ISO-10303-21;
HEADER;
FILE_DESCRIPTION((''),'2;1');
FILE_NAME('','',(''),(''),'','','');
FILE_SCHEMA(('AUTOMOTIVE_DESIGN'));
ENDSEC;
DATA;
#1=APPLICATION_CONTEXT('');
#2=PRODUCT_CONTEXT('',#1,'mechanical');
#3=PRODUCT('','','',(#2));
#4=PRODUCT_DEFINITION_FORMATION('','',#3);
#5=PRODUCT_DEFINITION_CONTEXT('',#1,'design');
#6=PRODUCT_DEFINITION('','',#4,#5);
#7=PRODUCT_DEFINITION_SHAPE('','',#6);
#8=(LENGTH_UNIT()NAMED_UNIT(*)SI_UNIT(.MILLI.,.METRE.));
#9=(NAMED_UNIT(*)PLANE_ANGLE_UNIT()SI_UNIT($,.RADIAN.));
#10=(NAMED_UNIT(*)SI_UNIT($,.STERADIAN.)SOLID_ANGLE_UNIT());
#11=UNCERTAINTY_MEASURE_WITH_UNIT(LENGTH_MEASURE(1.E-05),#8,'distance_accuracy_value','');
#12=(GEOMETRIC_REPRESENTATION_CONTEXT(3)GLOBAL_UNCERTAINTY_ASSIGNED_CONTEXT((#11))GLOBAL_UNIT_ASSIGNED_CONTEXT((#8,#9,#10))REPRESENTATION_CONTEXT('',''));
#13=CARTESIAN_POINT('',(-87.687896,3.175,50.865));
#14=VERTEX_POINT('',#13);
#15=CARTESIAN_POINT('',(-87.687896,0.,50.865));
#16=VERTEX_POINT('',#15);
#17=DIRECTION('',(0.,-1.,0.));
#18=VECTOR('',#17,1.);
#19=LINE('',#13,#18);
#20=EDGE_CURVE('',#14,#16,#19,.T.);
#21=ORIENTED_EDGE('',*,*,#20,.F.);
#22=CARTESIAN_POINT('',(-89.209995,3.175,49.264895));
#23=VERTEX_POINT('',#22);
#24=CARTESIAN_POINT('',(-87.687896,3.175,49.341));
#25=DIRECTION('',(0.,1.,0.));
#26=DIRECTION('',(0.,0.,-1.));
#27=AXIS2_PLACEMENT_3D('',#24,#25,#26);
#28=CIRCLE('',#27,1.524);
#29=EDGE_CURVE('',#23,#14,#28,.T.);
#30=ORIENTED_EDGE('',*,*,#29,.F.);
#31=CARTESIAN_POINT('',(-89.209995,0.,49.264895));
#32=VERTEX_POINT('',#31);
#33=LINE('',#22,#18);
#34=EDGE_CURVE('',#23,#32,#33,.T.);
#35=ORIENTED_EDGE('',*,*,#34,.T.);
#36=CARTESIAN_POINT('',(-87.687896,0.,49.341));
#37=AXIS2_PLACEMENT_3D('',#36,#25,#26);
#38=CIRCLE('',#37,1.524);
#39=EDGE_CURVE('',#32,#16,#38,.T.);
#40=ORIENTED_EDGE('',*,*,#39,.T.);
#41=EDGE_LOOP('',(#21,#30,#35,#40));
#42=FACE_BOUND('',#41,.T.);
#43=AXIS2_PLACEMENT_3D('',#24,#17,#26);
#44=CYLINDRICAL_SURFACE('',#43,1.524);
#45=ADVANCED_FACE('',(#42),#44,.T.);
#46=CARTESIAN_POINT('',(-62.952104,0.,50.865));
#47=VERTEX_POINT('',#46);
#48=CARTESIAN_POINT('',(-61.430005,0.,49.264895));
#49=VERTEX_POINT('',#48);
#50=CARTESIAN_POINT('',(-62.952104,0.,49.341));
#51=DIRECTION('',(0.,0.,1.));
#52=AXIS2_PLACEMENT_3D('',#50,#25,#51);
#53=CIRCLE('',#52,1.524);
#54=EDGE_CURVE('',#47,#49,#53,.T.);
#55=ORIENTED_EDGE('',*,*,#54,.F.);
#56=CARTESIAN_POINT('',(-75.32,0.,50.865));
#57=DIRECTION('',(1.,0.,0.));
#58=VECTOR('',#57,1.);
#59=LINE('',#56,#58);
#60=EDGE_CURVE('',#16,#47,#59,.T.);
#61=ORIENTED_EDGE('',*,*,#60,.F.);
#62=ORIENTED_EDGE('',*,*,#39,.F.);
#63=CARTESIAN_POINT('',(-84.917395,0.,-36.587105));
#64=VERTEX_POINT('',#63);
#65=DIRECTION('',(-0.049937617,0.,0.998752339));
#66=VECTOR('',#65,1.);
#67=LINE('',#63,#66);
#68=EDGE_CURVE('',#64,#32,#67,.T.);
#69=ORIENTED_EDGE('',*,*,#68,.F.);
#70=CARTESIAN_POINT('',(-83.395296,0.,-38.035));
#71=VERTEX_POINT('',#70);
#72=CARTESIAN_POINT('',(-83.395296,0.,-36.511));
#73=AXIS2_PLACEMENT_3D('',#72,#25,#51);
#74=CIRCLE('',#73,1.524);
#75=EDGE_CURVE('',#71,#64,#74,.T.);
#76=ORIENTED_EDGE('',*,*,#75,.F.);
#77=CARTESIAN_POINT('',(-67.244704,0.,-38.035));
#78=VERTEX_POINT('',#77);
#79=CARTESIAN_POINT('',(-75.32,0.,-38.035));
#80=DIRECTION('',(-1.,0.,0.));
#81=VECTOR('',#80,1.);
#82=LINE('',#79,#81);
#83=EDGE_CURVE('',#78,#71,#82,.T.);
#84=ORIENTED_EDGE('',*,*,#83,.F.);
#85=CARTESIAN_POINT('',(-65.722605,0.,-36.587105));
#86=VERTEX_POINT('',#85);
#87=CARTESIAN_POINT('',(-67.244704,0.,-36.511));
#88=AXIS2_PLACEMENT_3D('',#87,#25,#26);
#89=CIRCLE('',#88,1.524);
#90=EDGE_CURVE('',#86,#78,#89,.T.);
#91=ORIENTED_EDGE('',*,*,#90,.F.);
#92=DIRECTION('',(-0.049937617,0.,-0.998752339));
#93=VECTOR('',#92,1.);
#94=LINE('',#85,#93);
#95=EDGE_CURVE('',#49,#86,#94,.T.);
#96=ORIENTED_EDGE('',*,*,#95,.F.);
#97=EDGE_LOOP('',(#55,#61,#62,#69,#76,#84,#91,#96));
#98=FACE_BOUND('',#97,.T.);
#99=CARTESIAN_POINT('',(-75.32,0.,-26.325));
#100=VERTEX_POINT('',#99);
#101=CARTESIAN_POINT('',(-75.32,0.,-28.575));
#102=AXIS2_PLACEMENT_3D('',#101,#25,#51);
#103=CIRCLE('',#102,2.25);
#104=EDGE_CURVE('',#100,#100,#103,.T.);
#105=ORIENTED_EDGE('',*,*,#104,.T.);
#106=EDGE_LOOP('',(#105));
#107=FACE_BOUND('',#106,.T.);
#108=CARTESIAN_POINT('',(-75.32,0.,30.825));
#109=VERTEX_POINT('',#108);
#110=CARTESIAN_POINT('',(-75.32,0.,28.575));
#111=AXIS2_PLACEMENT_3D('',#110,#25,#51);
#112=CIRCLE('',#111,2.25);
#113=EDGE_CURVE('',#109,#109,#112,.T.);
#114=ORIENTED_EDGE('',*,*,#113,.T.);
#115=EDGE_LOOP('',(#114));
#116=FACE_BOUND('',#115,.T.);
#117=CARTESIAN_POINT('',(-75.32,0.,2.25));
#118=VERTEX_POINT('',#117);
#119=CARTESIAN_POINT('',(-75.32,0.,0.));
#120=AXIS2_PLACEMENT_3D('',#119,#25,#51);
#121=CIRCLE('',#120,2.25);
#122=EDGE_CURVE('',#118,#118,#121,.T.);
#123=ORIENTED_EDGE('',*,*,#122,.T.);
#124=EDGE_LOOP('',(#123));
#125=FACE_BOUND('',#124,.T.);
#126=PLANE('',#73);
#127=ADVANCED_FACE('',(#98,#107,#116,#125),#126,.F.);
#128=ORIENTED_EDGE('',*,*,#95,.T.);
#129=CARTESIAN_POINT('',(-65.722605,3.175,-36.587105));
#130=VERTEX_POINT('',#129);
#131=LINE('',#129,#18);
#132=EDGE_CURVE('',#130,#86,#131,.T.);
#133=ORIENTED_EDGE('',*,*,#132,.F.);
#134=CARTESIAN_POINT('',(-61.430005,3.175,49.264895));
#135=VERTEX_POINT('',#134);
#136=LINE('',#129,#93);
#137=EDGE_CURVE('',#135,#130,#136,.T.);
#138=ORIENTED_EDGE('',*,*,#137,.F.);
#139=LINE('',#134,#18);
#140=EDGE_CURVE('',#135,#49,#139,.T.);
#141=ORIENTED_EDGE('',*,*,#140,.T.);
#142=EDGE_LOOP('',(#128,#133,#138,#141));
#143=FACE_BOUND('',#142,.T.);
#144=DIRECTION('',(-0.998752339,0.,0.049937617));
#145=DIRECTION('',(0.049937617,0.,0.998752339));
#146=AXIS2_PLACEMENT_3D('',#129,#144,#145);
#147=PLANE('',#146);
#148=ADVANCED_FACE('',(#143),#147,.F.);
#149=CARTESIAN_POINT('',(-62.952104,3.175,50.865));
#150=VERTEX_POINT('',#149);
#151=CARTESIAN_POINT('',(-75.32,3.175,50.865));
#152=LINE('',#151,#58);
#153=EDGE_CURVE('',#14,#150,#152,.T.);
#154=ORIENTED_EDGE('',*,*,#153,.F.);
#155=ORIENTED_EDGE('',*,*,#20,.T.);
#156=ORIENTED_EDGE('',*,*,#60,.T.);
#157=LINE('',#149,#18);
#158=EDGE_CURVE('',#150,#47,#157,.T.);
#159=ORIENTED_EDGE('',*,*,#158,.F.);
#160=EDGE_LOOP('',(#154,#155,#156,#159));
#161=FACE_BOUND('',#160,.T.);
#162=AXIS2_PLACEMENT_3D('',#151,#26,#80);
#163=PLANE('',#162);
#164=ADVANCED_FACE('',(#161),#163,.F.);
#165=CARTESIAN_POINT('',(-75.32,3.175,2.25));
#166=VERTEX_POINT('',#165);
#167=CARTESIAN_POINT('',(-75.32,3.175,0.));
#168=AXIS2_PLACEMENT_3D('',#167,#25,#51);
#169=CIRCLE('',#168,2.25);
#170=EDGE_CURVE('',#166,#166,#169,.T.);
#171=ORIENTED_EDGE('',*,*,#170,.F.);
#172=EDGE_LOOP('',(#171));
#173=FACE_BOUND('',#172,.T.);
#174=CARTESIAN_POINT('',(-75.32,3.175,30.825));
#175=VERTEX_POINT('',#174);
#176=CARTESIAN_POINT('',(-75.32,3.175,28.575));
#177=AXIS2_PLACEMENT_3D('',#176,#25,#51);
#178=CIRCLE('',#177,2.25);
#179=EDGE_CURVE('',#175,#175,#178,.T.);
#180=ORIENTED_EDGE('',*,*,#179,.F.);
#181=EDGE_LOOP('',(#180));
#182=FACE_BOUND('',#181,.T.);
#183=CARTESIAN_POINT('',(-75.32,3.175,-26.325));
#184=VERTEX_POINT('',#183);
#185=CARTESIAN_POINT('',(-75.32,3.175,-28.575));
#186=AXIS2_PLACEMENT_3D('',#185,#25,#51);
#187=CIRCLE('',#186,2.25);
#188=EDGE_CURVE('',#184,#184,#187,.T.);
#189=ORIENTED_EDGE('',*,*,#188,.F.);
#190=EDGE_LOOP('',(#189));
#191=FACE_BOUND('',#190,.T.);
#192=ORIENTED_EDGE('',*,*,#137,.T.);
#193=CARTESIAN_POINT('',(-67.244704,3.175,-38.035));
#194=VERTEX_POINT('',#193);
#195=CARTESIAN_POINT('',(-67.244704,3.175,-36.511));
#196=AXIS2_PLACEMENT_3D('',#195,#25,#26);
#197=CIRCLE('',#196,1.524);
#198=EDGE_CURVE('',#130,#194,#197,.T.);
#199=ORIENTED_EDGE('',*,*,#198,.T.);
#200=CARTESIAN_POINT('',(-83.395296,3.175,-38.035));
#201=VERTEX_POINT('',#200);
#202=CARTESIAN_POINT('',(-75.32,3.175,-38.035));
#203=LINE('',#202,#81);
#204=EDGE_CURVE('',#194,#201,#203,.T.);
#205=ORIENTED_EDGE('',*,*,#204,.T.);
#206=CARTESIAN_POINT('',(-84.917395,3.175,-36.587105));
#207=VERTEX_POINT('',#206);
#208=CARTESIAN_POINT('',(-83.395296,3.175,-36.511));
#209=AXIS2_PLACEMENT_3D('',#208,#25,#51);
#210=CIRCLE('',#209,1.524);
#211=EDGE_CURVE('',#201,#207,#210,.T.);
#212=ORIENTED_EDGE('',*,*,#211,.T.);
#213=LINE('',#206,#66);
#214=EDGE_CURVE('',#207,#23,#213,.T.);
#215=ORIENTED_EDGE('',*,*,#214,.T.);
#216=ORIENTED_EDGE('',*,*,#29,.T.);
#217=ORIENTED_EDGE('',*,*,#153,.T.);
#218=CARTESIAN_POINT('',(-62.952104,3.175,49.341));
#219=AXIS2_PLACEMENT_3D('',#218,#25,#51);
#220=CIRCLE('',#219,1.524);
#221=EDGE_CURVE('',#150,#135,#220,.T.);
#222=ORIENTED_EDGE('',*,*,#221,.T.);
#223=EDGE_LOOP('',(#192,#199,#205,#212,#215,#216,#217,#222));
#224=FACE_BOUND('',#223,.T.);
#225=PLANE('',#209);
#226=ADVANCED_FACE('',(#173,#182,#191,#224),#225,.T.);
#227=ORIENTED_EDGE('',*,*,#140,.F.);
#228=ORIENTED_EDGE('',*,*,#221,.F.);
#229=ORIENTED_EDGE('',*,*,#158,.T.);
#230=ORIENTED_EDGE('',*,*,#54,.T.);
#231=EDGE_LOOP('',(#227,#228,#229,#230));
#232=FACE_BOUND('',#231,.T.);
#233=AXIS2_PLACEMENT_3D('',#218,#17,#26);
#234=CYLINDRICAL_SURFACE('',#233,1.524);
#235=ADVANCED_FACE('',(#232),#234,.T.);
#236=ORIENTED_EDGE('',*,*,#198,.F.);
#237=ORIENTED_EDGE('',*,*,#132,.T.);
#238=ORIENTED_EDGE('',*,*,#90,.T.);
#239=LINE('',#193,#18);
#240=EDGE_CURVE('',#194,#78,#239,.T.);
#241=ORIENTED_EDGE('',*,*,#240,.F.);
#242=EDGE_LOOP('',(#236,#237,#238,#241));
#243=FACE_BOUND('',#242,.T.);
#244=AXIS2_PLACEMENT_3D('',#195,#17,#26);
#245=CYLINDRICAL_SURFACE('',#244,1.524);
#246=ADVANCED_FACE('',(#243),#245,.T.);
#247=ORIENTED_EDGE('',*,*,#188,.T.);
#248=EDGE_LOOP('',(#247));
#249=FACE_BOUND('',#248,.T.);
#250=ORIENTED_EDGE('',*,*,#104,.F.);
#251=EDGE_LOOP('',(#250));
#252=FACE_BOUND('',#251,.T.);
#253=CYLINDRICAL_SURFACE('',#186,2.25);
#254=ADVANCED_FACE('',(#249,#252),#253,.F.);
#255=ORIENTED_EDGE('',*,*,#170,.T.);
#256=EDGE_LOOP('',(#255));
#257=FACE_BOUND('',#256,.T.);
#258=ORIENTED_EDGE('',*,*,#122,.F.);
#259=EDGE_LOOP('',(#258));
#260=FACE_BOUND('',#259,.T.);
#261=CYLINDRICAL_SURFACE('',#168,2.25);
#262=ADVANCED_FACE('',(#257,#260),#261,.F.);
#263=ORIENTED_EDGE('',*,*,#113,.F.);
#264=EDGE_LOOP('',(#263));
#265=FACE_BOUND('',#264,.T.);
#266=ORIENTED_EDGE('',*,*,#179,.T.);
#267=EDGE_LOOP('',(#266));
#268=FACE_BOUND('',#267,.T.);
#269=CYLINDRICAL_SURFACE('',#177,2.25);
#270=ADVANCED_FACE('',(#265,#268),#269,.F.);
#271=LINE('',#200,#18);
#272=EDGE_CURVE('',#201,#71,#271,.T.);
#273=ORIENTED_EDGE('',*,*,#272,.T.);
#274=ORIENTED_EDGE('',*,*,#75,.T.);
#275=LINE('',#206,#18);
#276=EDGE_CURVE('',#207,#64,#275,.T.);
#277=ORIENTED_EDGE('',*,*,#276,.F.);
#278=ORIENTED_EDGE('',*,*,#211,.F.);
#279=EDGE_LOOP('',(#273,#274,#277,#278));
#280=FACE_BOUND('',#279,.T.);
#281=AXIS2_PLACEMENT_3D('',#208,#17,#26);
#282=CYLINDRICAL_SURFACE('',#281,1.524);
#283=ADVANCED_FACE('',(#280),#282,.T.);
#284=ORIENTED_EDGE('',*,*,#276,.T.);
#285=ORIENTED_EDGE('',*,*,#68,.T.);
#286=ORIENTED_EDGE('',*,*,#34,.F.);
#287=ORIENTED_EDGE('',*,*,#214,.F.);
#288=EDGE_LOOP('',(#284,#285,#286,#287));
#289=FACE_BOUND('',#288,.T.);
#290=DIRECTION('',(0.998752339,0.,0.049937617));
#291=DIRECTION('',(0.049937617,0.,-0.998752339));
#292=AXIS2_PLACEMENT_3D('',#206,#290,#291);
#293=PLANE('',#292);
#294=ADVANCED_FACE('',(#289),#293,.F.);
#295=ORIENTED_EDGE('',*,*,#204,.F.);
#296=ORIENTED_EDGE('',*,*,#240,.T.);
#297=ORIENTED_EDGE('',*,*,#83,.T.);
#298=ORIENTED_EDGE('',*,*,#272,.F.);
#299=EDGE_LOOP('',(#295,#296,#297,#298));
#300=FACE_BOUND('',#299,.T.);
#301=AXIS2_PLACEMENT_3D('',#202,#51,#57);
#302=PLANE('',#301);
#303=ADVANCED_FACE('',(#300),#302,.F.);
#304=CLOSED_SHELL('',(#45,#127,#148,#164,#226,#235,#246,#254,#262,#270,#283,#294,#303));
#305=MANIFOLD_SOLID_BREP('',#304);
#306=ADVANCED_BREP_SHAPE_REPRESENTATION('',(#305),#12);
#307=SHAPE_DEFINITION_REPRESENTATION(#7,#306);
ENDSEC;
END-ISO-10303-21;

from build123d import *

# Parameters (mm, degrees)
BOSS_EXTRUDE1_DEPTH  = 3.175
M4_CLEARANCE_HOLE1_D = 4.5


with BuildPart() as part:
    # Sketch1 → Boss-Extrude1 (new body)
    with BuildSketch(Plane(origin=(0, 0, 0), x_dir=(1, 0, 0), z_dir=(0, 1, 0))):
        with BuildLine():
            Line((-75.32, 38.035000003), (-67.244703811, 38.035000003))
            ThreePointArc((-67.244703811, 38.035000003), (-66.19432481, 37.615210108), (-65.722605246, 36.587104931))
            Line((-65.722605246, 36.587104931), (-61.430005246, -49.264895069))
            ThreePointArc((-61.430005246, -49.264895069), (-61.847893706, -50.391378998), (-62.952103811, -50.864999997))
            Line((-62.952103811, -50.864999997), (-75.32, -50.864999997))
            Line((-75.32, -50.864999997), (-87.687896189, -50.864999997))
            ThreePointArc((-87.687896189, -50.864999997), (-88.792106294, -50.391378998), (-89.209994754, -49.264895069))
            Line((-89.209994754, -49.264895069), (-84.917394754, 36.587104931))
            ThreePointArc((-84.917394754, 36.587104931), (-84.44567519, 37.615210108), (-83.395296189, 38.035000003))
            Line((-83.395296189, 38.035000003), (-75.32, 38.035000003))
        make_face()
    extrude(amount=BOSS_EXTRUDE1_DEPTH)

    # M4 Clearance Hole1 (through all)
    with Locations(Plane(origin=(0, 3.175, 0), x_dir=(1, 0, 0), z_dir=(0, 1, 0))):
        with Locations((-75.32, 28.575), (-75.32, 0), (-75.32, -28.575)):
            Hole(M4_CLEARANCE_HOLE1_D / 2)


solid = part.part
